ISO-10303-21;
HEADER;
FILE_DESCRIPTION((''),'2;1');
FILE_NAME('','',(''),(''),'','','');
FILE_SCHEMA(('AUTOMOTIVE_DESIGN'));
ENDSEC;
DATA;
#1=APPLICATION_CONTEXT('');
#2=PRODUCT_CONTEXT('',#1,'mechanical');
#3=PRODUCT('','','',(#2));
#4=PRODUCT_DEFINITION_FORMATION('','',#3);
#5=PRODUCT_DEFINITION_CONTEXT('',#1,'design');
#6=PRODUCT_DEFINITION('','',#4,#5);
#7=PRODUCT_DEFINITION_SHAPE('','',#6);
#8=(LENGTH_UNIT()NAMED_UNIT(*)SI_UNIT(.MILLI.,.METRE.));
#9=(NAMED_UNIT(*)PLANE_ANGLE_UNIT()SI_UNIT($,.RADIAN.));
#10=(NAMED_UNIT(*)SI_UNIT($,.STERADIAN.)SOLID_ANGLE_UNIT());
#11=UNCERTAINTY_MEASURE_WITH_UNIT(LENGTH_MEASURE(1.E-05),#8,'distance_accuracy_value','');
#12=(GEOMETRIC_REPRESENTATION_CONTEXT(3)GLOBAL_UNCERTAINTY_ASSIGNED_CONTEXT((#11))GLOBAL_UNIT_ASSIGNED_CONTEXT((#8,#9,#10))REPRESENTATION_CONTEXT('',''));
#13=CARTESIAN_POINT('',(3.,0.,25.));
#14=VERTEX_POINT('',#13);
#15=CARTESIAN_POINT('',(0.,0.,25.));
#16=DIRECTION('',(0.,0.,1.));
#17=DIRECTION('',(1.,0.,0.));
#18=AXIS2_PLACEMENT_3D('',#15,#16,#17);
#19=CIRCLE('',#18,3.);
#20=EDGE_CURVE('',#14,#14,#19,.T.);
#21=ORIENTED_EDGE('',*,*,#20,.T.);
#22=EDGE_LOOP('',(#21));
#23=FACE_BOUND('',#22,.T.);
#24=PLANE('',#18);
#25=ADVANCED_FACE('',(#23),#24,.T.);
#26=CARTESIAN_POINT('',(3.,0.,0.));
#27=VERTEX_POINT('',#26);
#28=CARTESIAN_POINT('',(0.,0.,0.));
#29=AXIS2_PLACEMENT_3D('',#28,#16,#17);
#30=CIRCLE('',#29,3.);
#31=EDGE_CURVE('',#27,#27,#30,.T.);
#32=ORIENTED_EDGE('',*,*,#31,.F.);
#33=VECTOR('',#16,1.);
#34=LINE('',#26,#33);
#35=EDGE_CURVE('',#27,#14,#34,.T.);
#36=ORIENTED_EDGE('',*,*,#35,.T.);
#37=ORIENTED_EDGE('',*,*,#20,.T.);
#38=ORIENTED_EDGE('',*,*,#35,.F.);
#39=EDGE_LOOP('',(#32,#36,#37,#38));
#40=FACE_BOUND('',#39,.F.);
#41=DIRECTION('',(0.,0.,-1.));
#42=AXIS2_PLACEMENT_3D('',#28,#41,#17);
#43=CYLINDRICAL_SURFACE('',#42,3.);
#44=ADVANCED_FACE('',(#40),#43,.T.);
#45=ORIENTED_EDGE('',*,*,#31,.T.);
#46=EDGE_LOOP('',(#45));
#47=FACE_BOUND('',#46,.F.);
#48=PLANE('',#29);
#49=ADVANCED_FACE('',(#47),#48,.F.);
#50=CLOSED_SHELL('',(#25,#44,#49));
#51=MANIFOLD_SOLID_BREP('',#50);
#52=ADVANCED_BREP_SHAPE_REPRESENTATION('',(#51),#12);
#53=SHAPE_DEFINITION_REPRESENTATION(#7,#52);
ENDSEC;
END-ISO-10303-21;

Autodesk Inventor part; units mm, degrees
ref_plane "YZ Plane" through (0, 0, 0) normal (1, 0, 0) x (0, 1, 0)
ref_plane "XZ Plane" through (0, 0, 0) normal (0, 1, 0) x (-1, 0, 0)
ref_plane "XY Plane" through (0, 0, 0) normal (0, 0, 1) x (1, 0, 0)
sketch "スケッチ1" plane through (0, 0, 0) normal (0, 0, 1) x (1, 0, 0)
  circle A0 centre (0, 0) radius 3
  dimension "d0" = 6
extrude "押し出し1" add sketch "スケッチ1" along normal blind 25
properties part number "平行ピン　φ6　長さ25" material "ステンレス鋼"
